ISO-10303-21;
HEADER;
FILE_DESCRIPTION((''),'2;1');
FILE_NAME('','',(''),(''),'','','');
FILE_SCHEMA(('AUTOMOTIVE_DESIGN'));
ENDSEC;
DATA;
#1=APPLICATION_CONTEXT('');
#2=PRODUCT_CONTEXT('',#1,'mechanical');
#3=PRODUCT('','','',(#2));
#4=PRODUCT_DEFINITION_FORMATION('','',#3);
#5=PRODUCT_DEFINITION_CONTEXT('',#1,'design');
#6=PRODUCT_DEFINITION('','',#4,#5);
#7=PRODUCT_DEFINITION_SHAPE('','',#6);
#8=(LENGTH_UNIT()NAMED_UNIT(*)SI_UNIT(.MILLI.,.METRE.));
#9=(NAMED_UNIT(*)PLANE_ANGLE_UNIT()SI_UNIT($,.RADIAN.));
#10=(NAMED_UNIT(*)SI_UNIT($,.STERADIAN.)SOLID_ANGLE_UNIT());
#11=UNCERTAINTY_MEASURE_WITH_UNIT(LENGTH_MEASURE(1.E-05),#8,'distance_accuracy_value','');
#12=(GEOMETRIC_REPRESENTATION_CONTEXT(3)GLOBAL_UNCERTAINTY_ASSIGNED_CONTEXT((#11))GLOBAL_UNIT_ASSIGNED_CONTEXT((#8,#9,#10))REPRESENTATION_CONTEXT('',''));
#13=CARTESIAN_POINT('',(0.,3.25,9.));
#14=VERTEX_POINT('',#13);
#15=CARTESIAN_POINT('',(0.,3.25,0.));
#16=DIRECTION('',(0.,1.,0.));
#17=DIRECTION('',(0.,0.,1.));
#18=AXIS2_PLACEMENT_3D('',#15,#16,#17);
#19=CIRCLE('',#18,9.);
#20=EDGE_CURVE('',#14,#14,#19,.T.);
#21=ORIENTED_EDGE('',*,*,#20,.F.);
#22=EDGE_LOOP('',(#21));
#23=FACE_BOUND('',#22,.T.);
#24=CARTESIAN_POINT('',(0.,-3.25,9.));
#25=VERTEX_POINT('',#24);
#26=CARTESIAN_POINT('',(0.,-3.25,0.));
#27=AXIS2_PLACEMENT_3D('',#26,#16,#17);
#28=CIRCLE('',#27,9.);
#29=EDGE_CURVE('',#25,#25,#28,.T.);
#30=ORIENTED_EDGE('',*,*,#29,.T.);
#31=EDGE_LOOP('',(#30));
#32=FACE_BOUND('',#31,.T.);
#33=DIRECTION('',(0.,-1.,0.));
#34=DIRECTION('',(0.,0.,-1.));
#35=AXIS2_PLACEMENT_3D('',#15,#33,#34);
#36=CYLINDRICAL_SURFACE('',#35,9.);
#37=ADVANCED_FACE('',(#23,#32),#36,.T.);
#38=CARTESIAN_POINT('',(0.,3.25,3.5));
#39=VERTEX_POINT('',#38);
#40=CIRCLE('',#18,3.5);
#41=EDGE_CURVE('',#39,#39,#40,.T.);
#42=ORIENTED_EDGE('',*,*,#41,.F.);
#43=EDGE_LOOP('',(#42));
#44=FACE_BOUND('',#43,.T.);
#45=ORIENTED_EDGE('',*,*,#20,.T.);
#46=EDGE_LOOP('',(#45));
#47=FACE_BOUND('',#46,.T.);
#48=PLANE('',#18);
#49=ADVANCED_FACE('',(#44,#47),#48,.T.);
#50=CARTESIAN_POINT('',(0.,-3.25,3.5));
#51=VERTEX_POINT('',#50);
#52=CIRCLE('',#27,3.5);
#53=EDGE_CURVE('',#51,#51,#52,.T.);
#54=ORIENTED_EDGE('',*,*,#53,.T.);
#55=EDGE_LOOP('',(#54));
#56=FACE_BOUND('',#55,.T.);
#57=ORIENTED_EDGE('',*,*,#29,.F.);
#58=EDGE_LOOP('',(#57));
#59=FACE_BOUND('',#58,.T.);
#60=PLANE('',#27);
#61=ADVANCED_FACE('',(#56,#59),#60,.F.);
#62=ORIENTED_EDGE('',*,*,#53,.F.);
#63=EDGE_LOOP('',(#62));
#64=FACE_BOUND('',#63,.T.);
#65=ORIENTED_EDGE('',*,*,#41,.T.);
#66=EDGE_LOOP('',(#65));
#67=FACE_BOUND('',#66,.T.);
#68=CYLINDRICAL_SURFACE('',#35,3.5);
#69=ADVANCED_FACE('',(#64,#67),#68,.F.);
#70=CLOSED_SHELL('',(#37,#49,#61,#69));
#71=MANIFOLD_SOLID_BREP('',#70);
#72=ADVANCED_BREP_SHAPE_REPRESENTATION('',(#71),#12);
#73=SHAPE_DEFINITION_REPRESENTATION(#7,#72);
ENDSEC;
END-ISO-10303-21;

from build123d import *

# Parameters (mm, degrees)
SKETCH_1_R      = 9
SKETCH_1_R_2    = 3.5
EXTRUDE_1_DEPTH = 3.25


with BuildPart() as part:
    # 草图1 → 凸台-拉伸1 (new body, symmetric)
    with BuildSketch(Plane(origin=(0, 0, 0), x_dir=(1, 0, 0), z_dir=(0, 1, 0))):
        Circle(SKETCH_1_R)
        Circle(SKETCH_1_R_2, mode=Mode.SUBTRACT)
    extrude(amount=EXTRUDE_1_DEPTH, both=True)


solid = part.part
